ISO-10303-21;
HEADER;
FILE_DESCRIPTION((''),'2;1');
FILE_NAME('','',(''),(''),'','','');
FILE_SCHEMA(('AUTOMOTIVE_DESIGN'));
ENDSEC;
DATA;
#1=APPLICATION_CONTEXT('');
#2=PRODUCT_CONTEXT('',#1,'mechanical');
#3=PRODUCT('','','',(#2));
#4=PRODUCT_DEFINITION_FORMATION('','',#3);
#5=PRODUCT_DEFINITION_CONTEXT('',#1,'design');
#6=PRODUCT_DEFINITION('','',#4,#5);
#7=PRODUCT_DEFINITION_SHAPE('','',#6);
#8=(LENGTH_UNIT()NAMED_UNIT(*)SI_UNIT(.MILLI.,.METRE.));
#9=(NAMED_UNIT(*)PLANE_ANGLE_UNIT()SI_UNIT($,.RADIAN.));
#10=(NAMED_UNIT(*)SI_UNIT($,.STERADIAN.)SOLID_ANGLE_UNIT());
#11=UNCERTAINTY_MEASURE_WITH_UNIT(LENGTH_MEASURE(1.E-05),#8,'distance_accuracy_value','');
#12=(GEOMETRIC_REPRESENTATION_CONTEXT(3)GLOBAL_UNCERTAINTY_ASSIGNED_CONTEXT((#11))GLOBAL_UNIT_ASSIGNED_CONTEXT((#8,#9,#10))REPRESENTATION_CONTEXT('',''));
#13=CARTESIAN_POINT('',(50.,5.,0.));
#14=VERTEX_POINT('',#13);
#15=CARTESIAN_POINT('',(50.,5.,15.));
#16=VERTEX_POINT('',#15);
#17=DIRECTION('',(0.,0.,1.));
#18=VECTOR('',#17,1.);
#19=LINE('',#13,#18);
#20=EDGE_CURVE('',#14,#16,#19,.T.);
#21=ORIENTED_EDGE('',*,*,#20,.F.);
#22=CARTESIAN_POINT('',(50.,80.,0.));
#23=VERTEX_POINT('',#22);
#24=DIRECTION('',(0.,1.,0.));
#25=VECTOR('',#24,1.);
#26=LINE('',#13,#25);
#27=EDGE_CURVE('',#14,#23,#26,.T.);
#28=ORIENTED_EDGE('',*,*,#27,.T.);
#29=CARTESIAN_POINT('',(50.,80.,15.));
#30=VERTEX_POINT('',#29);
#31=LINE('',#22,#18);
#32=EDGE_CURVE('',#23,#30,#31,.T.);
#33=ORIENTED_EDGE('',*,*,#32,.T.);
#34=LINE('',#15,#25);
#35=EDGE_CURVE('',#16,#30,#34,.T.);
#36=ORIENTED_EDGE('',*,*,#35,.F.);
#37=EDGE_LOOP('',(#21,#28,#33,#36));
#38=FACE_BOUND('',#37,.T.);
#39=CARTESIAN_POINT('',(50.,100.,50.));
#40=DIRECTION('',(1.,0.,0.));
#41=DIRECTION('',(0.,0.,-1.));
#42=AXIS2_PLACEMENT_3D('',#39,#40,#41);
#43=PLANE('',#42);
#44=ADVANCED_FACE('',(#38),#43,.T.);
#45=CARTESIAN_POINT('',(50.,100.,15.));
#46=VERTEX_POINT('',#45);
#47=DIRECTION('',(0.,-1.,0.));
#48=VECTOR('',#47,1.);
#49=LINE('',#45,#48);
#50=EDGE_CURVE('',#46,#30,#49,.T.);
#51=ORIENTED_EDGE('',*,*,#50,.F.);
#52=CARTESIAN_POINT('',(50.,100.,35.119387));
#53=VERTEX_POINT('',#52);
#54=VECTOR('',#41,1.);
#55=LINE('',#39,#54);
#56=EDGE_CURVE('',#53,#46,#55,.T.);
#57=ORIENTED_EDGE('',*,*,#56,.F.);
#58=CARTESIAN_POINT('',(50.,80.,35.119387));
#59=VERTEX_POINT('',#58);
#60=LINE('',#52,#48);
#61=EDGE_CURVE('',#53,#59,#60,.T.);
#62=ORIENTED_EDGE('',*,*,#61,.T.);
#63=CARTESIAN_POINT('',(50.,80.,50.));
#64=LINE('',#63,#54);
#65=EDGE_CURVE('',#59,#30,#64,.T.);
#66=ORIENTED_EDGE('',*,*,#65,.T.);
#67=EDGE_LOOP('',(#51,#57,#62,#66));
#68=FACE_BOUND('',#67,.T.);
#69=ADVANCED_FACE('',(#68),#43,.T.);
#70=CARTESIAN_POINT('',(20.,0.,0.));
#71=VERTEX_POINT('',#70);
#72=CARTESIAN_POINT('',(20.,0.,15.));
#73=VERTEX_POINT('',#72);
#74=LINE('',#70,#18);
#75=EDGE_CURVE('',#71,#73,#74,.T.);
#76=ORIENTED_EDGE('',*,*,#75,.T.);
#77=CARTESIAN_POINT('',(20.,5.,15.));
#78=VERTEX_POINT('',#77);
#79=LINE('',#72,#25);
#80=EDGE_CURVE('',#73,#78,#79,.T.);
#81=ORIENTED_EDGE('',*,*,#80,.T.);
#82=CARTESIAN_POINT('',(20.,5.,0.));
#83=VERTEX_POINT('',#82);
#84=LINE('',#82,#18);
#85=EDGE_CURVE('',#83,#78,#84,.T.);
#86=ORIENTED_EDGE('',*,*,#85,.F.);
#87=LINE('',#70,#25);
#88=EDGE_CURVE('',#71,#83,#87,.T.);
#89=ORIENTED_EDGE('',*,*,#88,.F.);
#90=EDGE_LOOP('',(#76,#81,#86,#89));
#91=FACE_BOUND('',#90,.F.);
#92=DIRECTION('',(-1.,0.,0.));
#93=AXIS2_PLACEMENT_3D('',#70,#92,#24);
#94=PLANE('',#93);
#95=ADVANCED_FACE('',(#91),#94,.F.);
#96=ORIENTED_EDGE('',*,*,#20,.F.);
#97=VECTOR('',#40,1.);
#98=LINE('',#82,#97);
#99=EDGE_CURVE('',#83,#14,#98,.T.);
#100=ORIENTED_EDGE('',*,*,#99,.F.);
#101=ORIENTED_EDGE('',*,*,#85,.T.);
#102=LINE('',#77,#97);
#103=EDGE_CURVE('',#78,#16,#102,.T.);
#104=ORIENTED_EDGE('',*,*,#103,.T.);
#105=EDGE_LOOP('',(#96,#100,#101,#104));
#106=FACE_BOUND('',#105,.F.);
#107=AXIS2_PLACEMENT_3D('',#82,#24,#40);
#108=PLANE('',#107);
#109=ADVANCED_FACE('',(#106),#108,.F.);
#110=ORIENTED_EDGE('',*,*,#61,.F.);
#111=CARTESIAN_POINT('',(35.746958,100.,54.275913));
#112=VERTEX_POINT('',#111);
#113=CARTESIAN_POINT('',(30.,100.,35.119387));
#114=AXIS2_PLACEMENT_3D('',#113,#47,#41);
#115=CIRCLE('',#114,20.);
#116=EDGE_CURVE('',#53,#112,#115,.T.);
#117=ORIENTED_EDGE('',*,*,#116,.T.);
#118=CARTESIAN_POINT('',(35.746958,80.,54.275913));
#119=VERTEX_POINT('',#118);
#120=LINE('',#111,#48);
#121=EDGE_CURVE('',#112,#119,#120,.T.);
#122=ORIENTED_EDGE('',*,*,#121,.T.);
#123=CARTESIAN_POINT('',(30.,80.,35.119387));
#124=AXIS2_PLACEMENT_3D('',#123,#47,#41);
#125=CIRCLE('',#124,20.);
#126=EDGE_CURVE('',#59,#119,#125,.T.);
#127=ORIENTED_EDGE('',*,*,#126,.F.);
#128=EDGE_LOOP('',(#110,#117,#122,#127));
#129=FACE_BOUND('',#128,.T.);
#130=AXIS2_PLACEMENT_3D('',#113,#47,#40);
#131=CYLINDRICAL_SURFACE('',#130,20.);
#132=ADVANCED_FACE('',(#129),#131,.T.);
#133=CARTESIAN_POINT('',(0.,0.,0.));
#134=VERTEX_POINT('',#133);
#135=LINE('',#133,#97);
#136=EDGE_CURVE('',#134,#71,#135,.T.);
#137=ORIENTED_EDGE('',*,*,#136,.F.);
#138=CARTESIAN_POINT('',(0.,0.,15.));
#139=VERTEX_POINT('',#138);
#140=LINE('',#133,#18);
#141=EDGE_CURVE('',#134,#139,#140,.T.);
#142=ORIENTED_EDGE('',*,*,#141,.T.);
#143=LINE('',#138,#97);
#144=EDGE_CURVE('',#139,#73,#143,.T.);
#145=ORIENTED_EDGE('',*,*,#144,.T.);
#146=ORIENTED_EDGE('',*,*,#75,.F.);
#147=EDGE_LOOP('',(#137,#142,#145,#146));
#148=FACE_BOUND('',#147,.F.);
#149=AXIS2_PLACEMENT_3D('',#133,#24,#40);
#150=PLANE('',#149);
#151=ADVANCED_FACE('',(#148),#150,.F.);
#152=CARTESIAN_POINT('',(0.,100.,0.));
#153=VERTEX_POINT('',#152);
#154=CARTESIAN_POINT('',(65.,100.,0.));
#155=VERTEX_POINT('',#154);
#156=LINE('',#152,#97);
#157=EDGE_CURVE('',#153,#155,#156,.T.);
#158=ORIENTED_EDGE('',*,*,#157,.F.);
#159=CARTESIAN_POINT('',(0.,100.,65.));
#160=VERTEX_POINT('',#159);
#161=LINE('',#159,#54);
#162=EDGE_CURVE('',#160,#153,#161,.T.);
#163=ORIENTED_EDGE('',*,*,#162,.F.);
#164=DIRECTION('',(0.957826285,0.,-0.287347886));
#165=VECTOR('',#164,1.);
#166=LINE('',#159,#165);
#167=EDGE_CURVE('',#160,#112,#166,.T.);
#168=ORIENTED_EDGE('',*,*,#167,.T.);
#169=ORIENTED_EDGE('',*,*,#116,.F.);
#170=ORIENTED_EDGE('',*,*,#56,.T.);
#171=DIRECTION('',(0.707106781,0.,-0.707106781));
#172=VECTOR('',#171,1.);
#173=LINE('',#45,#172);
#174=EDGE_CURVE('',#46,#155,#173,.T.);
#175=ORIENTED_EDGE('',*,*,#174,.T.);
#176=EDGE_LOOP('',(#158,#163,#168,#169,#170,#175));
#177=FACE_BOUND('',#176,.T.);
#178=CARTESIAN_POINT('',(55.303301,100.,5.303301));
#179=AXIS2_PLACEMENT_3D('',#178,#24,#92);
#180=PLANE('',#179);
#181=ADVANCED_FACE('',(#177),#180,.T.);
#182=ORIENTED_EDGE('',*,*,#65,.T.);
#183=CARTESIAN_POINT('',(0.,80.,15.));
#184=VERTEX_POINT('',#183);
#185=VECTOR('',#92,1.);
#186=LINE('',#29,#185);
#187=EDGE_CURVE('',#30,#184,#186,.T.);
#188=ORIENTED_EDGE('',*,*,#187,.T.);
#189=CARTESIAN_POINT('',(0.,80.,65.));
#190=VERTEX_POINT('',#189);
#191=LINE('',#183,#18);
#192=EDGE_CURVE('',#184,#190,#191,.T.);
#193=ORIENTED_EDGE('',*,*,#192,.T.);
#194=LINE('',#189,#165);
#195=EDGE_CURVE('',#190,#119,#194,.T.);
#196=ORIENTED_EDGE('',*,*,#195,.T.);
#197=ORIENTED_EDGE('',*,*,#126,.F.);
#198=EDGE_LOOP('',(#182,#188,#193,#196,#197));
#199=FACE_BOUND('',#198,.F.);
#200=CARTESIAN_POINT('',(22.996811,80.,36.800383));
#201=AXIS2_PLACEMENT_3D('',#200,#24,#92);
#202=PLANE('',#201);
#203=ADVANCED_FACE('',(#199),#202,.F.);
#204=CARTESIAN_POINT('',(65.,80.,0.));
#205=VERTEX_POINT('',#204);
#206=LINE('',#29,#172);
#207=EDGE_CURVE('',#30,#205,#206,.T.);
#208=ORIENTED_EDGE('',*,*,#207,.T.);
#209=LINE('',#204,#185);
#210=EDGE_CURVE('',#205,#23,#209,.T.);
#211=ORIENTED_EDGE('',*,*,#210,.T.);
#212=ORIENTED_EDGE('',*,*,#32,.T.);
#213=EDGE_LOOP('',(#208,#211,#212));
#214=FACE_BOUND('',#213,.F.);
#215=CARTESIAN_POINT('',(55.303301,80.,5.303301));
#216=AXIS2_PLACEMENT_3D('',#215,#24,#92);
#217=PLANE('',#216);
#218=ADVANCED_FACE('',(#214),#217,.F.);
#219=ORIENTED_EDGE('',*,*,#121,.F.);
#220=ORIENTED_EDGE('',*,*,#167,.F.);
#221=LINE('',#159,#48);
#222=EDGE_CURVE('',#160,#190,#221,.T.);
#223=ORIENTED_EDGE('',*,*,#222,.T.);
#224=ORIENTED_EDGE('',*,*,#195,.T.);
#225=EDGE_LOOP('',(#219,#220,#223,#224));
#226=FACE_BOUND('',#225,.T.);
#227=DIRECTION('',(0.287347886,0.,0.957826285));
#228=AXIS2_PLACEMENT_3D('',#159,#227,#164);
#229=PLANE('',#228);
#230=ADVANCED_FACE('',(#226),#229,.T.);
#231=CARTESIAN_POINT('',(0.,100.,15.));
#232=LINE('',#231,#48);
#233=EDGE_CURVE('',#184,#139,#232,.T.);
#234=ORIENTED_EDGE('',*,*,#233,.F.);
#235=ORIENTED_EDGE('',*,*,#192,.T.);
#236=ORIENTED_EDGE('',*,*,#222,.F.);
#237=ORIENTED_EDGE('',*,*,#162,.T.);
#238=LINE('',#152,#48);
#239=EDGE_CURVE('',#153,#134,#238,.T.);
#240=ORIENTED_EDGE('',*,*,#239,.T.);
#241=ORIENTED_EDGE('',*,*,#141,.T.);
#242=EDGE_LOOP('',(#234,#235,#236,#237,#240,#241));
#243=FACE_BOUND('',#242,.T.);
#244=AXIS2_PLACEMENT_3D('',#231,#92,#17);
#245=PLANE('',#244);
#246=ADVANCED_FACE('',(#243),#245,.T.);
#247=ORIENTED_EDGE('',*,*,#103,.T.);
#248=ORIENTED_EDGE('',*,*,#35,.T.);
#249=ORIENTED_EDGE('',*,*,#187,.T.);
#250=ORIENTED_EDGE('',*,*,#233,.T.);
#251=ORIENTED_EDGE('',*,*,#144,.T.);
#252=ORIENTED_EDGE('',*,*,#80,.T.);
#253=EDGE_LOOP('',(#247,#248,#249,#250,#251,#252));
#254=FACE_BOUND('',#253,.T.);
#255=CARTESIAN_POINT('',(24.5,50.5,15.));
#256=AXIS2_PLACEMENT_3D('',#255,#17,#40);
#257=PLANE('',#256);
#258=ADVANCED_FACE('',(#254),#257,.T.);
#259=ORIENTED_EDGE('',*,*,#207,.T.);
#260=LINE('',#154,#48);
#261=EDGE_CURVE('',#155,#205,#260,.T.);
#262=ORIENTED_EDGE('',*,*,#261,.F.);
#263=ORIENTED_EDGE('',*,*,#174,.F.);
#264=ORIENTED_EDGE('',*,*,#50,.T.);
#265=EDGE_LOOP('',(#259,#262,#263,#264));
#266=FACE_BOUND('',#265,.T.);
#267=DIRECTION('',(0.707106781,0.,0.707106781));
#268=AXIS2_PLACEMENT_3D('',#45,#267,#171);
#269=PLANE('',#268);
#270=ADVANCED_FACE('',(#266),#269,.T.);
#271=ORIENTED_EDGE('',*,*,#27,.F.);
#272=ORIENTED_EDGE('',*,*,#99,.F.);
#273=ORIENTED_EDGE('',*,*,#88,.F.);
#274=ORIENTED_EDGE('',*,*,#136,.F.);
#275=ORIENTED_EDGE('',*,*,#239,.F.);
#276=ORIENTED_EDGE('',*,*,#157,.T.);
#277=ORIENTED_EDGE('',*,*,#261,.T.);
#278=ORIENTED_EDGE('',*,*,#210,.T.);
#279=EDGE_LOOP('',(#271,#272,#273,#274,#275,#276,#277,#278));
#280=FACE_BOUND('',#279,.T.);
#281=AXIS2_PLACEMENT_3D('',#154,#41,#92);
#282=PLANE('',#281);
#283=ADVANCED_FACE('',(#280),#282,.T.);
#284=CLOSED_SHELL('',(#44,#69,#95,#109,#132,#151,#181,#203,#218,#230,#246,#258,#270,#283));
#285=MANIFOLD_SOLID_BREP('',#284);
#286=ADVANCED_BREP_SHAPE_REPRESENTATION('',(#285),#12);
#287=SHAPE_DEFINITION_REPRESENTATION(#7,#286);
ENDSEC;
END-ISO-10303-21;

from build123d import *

# Parameters (mm, degrees)
F1_DEPTH = 15
F3_DEPTH = 20
F4_R     = 20
F6_DEPTH = 20


with BuildPart() as f1:
    # F0 (on Top) → F1 (new body)
    with BuildSketch(Plane.XY):
        Polygon((0, 100), (0, 0), (20, 0), (20, 5), (50, 5), (50, 100), align=None)
    extrude(amount=F1_DEPTH)

    # F2 (on face) → F3 (join)
    with BuildSketch(Plane(origin=(0, 100, 0), x_dir=(-1, 0, 0), z_dir=(0, 1, 0))):
        Polygon((-50, 15), (0, 15), (0, 65), (-50, 50), align=None)
    extrude(amount=-F3_DEPTH)

    # F4
    f4_edges = [f1.edges().sort_by_distance(p)[0] for p in [
        (50, 90, 50),
    ]]
    fillet(f4_edges, radius=F4_R)

    # F5 (on face) → F6 (join)
    with BuildSketch(Plane(origin=(0, 100, 0), x_dir=(-1, 0, 0), z_dir=(0, 1, 0))):
        Polygon((-65, 0), (-50, 0), (-50, 15), align=None)
    extrude(amount=-F6_DEPTH)


solid = f1.part
